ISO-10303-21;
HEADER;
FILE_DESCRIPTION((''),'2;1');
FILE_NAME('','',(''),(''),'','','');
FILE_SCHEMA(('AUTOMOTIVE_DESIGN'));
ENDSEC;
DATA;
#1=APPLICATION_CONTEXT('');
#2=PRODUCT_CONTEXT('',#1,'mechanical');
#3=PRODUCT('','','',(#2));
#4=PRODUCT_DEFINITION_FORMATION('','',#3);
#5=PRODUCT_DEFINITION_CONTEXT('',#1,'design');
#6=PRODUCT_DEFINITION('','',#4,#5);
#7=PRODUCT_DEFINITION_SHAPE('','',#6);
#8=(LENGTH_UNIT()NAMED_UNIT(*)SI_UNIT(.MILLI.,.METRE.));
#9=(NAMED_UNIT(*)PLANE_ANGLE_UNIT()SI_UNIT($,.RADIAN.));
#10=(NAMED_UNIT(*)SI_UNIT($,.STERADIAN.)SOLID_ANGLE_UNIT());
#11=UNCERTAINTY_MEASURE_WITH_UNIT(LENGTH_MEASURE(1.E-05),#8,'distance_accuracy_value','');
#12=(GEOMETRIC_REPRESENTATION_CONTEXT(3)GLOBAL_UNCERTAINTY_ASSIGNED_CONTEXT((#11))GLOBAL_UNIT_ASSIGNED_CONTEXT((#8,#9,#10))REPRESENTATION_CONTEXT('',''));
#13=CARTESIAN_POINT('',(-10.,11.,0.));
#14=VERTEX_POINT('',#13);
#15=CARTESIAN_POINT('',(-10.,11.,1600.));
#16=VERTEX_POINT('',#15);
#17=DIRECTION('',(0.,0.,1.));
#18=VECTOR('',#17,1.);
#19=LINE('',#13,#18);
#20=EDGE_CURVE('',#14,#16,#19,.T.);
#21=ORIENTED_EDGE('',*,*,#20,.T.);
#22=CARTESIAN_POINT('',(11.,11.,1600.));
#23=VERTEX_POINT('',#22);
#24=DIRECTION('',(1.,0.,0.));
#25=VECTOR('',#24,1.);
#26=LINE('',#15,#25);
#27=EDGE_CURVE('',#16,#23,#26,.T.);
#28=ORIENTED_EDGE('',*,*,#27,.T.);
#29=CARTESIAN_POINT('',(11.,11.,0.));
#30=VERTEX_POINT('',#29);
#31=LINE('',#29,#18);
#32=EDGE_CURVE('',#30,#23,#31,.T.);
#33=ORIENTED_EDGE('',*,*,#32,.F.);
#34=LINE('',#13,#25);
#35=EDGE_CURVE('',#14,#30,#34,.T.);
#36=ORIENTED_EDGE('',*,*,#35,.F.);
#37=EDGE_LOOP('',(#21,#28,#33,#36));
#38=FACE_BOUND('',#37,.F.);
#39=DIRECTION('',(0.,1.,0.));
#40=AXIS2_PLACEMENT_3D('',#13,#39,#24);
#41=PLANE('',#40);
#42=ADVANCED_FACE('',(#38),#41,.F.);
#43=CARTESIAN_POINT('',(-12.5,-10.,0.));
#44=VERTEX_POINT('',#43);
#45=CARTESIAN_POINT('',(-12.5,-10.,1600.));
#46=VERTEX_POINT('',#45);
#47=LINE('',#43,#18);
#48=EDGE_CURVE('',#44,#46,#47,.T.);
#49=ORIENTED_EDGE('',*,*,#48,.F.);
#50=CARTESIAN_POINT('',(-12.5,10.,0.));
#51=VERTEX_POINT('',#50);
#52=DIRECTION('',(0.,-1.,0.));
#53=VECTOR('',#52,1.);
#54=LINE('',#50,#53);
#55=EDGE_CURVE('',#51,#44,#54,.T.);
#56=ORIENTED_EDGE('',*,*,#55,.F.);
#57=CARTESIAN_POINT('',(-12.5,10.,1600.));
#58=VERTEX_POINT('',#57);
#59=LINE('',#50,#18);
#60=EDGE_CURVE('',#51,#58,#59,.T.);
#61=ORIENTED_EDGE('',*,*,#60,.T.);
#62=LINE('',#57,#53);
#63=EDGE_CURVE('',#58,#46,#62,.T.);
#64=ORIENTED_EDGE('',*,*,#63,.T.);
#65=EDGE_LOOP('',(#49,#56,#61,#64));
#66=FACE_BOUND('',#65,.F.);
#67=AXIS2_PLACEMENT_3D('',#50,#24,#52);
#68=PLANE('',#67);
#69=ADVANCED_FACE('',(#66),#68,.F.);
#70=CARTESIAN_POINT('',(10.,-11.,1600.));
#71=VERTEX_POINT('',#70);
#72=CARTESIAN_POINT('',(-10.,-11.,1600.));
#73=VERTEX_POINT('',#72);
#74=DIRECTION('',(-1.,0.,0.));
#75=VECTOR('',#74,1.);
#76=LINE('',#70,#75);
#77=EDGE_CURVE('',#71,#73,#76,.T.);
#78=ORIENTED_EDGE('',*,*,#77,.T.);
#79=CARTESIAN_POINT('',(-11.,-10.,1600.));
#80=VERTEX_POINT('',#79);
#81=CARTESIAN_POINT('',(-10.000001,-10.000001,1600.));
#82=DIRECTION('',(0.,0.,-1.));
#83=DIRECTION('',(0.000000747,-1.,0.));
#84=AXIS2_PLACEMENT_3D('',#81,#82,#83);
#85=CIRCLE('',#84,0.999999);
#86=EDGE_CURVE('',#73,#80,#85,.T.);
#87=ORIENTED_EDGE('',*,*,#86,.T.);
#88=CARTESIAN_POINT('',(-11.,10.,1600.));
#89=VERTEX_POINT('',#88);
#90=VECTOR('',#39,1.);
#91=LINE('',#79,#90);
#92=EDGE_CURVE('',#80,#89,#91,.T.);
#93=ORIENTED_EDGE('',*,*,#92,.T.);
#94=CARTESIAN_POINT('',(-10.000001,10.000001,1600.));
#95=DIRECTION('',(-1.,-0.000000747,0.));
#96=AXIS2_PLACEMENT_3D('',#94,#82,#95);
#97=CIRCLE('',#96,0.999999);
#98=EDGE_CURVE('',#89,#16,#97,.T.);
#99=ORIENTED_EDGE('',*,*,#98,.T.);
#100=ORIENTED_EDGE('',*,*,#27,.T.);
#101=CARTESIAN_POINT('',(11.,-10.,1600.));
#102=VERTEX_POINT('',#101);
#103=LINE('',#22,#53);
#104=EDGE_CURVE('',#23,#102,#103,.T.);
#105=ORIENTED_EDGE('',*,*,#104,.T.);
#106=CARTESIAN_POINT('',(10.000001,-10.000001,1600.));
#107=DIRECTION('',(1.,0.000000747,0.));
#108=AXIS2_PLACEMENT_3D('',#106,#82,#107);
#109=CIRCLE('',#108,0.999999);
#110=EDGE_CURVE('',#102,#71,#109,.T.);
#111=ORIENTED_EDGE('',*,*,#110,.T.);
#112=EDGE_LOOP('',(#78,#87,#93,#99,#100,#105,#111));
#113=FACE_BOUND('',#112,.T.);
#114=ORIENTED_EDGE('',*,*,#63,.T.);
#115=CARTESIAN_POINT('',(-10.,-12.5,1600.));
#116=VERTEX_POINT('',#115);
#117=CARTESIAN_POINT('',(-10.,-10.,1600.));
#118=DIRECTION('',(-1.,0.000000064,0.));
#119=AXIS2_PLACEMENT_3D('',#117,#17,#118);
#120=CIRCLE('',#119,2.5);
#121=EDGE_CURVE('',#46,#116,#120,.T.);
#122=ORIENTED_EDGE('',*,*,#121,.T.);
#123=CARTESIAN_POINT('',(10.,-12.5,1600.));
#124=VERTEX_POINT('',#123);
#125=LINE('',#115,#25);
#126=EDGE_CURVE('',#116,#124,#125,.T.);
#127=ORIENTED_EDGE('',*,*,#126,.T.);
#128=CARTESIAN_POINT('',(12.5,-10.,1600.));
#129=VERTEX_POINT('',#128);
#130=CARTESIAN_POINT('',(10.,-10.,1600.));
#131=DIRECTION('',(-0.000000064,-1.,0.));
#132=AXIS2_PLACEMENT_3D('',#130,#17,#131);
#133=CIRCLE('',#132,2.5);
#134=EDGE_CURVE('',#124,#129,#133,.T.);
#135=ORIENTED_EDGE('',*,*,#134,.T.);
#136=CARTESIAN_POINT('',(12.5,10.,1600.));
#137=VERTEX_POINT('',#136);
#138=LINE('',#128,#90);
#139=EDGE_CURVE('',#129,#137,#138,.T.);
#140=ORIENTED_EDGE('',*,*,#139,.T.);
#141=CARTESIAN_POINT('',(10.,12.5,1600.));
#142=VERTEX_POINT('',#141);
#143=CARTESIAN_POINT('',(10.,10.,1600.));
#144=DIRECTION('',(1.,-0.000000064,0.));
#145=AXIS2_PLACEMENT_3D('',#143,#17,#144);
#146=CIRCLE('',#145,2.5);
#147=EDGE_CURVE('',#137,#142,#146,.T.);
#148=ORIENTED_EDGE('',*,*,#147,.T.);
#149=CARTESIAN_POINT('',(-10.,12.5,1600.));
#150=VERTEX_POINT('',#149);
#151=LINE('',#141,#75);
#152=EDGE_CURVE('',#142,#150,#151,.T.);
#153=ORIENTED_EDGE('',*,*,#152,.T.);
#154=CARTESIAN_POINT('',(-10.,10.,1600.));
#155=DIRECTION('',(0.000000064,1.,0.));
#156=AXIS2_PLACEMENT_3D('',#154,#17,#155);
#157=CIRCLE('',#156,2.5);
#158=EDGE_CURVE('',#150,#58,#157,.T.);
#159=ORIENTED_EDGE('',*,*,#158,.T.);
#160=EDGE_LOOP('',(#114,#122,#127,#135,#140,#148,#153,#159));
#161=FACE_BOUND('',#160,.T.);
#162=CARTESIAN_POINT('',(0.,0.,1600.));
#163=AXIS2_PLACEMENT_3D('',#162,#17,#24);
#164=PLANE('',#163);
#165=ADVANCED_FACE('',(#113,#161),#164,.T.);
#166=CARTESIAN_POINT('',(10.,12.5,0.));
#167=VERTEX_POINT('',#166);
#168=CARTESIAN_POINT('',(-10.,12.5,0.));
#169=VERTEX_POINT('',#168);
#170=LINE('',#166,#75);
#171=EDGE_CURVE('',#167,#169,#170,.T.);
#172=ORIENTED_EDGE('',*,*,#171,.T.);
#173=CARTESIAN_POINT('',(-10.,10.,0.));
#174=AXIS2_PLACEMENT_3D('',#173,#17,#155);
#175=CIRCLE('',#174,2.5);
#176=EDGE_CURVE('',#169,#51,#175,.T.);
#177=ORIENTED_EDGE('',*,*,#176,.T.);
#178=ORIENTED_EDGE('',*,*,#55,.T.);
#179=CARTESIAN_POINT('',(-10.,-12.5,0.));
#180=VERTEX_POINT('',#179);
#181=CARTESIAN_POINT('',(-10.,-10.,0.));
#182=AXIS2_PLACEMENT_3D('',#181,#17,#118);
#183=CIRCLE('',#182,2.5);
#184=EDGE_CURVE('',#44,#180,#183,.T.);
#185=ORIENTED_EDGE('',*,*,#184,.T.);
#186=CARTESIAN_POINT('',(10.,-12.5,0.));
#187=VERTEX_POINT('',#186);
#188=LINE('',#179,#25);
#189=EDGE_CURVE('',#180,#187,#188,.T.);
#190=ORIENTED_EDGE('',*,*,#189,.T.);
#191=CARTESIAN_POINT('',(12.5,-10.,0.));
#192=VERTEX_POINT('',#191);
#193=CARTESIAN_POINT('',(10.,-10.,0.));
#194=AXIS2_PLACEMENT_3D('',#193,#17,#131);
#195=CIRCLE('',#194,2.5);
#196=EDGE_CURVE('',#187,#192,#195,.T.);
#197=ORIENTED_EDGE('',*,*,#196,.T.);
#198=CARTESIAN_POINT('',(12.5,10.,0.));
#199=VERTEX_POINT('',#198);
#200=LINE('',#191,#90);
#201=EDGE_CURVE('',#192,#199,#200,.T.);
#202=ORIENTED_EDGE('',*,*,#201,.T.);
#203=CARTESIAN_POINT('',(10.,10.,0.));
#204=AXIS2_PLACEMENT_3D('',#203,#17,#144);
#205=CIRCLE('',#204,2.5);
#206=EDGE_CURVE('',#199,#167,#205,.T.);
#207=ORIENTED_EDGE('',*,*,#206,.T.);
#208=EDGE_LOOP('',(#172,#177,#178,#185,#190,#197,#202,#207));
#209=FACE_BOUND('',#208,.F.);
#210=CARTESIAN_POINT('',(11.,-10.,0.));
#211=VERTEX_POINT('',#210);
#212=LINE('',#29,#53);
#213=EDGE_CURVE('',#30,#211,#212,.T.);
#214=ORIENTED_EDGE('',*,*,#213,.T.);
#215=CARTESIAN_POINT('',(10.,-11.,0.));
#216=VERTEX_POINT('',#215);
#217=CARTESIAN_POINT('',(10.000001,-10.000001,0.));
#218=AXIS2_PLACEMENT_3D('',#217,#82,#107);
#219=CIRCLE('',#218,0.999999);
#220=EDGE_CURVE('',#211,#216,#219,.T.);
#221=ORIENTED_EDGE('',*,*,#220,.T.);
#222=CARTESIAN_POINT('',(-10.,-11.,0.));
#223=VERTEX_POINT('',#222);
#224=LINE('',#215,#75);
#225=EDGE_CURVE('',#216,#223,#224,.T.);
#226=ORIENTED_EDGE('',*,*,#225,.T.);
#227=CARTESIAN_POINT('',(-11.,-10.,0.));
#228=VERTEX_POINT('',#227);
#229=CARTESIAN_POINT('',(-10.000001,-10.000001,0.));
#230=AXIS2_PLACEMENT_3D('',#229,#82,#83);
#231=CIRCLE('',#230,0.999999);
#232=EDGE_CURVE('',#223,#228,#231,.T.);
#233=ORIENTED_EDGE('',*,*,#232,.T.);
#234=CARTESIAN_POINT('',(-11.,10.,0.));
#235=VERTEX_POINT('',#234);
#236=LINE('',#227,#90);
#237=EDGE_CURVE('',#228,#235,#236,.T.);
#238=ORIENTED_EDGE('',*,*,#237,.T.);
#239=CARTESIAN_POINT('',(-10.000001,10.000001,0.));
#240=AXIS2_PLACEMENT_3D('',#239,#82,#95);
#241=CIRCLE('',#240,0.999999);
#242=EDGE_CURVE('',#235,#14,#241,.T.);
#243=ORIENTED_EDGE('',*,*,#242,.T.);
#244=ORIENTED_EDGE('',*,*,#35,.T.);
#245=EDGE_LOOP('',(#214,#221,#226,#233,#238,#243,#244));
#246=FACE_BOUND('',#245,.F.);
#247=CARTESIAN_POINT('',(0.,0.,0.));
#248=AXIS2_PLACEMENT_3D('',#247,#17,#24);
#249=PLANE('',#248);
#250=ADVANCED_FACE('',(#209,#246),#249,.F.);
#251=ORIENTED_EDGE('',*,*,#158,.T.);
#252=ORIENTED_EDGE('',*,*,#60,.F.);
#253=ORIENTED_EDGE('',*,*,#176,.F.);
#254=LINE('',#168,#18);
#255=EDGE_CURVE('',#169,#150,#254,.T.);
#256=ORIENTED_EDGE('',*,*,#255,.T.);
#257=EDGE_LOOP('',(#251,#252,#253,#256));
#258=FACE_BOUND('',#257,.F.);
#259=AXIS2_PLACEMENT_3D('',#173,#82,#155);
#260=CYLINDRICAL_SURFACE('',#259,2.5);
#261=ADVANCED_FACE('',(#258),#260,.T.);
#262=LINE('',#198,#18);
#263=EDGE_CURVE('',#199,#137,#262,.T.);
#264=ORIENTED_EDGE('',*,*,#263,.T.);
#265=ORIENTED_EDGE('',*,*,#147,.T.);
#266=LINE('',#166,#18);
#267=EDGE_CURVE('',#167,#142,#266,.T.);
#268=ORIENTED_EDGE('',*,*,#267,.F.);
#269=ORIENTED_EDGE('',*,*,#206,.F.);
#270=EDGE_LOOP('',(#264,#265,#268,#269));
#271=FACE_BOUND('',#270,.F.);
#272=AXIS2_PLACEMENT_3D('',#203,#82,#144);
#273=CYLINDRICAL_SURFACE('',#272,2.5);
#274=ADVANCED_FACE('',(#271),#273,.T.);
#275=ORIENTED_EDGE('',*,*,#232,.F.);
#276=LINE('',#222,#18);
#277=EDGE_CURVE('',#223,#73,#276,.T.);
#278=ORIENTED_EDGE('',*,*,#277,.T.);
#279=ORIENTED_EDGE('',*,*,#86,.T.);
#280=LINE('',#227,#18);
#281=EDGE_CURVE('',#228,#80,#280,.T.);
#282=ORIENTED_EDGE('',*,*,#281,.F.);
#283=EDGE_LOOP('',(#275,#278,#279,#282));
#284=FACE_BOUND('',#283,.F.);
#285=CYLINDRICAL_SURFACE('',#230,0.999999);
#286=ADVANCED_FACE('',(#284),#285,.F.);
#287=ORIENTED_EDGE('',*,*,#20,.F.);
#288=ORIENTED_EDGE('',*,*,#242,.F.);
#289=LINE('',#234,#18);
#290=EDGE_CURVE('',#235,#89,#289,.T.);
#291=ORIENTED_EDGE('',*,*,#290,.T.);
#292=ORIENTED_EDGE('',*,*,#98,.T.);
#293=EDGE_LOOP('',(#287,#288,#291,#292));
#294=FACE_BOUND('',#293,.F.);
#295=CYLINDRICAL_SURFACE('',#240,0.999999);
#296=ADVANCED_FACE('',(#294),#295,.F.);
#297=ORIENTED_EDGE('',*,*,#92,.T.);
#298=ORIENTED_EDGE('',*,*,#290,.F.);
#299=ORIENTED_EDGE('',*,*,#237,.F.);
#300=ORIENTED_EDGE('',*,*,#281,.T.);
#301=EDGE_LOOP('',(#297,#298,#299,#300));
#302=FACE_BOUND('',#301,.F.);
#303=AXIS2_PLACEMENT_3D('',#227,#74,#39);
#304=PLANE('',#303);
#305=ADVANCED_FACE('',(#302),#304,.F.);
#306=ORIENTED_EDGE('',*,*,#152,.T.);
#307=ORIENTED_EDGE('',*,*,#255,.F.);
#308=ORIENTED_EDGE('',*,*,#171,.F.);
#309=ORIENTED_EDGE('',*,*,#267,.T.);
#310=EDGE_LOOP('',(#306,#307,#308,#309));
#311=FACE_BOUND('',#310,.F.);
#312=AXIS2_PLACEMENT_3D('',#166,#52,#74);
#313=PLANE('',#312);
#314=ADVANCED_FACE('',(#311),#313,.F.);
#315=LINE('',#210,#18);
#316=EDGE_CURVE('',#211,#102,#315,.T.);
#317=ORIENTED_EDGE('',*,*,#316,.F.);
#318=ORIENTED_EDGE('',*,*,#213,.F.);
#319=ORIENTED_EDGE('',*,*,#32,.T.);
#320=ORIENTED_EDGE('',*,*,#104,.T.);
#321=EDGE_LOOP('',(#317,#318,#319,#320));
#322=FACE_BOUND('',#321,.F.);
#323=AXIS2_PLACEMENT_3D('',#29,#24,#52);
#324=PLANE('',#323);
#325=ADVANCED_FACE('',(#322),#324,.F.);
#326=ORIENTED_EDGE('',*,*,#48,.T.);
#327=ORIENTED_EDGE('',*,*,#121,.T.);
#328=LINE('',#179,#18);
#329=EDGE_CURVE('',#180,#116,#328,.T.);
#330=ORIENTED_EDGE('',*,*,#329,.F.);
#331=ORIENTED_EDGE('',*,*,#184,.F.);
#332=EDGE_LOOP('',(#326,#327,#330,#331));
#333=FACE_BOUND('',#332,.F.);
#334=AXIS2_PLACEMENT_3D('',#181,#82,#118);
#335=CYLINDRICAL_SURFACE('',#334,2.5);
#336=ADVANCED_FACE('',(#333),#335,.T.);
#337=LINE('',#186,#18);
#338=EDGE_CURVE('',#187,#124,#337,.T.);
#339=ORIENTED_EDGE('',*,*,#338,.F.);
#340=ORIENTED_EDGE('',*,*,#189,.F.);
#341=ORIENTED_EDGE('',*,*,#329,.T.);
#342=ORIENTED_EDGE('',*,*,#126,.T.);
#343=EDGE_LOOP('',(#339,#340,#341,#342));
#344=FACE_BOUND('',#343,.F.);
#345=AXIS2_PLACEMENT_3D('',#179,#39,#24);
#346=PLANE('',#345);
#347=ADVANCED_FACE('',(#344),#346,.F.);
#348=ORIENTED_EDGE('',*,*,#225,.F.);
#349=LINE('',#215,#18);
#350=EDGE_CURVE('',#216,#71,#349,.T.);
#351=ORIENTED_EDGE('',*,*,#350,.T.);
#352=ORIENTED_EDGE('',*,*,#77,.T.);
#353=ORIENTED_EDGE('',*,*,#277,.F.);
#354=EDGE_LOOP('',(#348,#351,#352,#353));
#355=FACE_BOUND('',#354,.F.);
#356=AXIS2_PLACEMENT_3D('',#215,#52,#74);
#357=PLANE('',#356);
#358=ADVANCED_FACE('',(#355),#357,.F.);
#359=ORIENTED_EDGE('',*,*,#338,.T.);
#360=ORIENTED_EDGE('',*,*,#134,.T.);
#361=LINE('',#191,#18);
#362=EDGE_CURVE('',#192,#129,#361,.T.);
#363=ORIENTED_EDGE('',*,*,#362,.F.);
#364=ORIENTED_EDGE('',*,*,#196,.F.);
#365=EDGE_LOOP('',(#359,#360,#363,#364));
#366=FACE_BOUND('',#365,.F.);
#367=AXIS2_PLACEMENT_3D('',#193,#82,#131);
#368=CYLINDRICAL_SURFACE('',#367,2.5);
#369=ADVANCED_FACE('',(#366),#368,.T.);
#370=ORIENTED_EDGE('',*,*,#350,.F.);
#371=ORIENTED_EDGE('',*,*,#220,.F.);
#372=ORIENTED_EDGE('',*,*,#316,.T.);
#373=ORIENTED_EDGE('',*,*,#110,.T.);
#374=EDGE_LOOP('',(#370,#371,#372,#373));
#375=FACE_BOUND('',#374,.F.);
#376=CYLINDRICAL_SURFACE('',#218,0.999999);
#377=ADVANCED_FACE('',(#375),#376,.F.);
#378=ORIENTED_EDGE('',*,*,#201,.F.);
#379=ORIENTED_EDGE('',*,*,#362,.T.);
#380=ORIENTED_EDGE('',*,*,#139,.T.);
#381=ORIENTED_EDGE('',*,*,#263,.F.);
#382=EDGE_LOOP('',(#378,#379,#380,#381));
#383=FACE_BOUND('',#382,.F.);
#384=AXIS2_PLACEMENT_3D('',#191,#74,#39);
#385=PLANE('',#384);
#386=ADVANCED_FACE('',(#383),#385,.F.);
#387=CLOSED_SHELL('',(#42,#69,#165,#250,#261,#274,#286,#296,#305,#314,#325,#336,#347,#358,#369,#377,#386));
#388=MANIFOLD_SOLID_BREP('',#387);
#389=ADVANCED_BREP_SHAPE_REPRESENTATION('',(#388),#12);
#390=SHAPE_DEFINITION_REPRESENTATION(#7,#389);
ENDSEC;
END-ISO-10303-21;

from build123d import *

# Parameters (mm, degrees)
F1_DEPTH = 1600


with BuildPart() as f1:
    # F0 (on Top) → F1 (new body)
    with BuildSketch(Plane.XY):
        with BuildLine():
            ThreePointArc((12.5, 10), (11.767767, 11.767767), (10, 12.5))
            Line((10, 12.5), (-10, 12.5))
            ThreePointArc((-10, 12.5), (-11.767767, 11.767767), (-12.5, 10))
            Line((-12.5, 10), (-12.5, -10))
            ThreePointArc((-12.5, -10), (-11.767767, -11.767767), (-10, -12.5))
            Line((-10, -12.5), (10, -12.5))
            ThreePointArc((10, -12.5), (11.767767, -11.767767), (12.5, -10))
            Line((12.5, -10), (12.5, 10))
        make_face()
        with BuildLine():
            ThreePointArc((11, -10), (10.707107, -10.707107), (10, -11))
            Line((10, -11), (-10, -11))
            ThreePointArc((-10, -11), (-10.707107, -10.707107), (-11, -10))
            Line((-11, -10), (-11, 10))
            ThreePointArc((-11, 10), (-10.707107, 10.707107), (-10, 11))
            Line((-10, 11), (11, 11))
            Line((11, 11), (11, -10))
        make_face(mode=Mode.SUBTRACT)
    extrude(amount=F1_DEPTH)


solid = f1.part
